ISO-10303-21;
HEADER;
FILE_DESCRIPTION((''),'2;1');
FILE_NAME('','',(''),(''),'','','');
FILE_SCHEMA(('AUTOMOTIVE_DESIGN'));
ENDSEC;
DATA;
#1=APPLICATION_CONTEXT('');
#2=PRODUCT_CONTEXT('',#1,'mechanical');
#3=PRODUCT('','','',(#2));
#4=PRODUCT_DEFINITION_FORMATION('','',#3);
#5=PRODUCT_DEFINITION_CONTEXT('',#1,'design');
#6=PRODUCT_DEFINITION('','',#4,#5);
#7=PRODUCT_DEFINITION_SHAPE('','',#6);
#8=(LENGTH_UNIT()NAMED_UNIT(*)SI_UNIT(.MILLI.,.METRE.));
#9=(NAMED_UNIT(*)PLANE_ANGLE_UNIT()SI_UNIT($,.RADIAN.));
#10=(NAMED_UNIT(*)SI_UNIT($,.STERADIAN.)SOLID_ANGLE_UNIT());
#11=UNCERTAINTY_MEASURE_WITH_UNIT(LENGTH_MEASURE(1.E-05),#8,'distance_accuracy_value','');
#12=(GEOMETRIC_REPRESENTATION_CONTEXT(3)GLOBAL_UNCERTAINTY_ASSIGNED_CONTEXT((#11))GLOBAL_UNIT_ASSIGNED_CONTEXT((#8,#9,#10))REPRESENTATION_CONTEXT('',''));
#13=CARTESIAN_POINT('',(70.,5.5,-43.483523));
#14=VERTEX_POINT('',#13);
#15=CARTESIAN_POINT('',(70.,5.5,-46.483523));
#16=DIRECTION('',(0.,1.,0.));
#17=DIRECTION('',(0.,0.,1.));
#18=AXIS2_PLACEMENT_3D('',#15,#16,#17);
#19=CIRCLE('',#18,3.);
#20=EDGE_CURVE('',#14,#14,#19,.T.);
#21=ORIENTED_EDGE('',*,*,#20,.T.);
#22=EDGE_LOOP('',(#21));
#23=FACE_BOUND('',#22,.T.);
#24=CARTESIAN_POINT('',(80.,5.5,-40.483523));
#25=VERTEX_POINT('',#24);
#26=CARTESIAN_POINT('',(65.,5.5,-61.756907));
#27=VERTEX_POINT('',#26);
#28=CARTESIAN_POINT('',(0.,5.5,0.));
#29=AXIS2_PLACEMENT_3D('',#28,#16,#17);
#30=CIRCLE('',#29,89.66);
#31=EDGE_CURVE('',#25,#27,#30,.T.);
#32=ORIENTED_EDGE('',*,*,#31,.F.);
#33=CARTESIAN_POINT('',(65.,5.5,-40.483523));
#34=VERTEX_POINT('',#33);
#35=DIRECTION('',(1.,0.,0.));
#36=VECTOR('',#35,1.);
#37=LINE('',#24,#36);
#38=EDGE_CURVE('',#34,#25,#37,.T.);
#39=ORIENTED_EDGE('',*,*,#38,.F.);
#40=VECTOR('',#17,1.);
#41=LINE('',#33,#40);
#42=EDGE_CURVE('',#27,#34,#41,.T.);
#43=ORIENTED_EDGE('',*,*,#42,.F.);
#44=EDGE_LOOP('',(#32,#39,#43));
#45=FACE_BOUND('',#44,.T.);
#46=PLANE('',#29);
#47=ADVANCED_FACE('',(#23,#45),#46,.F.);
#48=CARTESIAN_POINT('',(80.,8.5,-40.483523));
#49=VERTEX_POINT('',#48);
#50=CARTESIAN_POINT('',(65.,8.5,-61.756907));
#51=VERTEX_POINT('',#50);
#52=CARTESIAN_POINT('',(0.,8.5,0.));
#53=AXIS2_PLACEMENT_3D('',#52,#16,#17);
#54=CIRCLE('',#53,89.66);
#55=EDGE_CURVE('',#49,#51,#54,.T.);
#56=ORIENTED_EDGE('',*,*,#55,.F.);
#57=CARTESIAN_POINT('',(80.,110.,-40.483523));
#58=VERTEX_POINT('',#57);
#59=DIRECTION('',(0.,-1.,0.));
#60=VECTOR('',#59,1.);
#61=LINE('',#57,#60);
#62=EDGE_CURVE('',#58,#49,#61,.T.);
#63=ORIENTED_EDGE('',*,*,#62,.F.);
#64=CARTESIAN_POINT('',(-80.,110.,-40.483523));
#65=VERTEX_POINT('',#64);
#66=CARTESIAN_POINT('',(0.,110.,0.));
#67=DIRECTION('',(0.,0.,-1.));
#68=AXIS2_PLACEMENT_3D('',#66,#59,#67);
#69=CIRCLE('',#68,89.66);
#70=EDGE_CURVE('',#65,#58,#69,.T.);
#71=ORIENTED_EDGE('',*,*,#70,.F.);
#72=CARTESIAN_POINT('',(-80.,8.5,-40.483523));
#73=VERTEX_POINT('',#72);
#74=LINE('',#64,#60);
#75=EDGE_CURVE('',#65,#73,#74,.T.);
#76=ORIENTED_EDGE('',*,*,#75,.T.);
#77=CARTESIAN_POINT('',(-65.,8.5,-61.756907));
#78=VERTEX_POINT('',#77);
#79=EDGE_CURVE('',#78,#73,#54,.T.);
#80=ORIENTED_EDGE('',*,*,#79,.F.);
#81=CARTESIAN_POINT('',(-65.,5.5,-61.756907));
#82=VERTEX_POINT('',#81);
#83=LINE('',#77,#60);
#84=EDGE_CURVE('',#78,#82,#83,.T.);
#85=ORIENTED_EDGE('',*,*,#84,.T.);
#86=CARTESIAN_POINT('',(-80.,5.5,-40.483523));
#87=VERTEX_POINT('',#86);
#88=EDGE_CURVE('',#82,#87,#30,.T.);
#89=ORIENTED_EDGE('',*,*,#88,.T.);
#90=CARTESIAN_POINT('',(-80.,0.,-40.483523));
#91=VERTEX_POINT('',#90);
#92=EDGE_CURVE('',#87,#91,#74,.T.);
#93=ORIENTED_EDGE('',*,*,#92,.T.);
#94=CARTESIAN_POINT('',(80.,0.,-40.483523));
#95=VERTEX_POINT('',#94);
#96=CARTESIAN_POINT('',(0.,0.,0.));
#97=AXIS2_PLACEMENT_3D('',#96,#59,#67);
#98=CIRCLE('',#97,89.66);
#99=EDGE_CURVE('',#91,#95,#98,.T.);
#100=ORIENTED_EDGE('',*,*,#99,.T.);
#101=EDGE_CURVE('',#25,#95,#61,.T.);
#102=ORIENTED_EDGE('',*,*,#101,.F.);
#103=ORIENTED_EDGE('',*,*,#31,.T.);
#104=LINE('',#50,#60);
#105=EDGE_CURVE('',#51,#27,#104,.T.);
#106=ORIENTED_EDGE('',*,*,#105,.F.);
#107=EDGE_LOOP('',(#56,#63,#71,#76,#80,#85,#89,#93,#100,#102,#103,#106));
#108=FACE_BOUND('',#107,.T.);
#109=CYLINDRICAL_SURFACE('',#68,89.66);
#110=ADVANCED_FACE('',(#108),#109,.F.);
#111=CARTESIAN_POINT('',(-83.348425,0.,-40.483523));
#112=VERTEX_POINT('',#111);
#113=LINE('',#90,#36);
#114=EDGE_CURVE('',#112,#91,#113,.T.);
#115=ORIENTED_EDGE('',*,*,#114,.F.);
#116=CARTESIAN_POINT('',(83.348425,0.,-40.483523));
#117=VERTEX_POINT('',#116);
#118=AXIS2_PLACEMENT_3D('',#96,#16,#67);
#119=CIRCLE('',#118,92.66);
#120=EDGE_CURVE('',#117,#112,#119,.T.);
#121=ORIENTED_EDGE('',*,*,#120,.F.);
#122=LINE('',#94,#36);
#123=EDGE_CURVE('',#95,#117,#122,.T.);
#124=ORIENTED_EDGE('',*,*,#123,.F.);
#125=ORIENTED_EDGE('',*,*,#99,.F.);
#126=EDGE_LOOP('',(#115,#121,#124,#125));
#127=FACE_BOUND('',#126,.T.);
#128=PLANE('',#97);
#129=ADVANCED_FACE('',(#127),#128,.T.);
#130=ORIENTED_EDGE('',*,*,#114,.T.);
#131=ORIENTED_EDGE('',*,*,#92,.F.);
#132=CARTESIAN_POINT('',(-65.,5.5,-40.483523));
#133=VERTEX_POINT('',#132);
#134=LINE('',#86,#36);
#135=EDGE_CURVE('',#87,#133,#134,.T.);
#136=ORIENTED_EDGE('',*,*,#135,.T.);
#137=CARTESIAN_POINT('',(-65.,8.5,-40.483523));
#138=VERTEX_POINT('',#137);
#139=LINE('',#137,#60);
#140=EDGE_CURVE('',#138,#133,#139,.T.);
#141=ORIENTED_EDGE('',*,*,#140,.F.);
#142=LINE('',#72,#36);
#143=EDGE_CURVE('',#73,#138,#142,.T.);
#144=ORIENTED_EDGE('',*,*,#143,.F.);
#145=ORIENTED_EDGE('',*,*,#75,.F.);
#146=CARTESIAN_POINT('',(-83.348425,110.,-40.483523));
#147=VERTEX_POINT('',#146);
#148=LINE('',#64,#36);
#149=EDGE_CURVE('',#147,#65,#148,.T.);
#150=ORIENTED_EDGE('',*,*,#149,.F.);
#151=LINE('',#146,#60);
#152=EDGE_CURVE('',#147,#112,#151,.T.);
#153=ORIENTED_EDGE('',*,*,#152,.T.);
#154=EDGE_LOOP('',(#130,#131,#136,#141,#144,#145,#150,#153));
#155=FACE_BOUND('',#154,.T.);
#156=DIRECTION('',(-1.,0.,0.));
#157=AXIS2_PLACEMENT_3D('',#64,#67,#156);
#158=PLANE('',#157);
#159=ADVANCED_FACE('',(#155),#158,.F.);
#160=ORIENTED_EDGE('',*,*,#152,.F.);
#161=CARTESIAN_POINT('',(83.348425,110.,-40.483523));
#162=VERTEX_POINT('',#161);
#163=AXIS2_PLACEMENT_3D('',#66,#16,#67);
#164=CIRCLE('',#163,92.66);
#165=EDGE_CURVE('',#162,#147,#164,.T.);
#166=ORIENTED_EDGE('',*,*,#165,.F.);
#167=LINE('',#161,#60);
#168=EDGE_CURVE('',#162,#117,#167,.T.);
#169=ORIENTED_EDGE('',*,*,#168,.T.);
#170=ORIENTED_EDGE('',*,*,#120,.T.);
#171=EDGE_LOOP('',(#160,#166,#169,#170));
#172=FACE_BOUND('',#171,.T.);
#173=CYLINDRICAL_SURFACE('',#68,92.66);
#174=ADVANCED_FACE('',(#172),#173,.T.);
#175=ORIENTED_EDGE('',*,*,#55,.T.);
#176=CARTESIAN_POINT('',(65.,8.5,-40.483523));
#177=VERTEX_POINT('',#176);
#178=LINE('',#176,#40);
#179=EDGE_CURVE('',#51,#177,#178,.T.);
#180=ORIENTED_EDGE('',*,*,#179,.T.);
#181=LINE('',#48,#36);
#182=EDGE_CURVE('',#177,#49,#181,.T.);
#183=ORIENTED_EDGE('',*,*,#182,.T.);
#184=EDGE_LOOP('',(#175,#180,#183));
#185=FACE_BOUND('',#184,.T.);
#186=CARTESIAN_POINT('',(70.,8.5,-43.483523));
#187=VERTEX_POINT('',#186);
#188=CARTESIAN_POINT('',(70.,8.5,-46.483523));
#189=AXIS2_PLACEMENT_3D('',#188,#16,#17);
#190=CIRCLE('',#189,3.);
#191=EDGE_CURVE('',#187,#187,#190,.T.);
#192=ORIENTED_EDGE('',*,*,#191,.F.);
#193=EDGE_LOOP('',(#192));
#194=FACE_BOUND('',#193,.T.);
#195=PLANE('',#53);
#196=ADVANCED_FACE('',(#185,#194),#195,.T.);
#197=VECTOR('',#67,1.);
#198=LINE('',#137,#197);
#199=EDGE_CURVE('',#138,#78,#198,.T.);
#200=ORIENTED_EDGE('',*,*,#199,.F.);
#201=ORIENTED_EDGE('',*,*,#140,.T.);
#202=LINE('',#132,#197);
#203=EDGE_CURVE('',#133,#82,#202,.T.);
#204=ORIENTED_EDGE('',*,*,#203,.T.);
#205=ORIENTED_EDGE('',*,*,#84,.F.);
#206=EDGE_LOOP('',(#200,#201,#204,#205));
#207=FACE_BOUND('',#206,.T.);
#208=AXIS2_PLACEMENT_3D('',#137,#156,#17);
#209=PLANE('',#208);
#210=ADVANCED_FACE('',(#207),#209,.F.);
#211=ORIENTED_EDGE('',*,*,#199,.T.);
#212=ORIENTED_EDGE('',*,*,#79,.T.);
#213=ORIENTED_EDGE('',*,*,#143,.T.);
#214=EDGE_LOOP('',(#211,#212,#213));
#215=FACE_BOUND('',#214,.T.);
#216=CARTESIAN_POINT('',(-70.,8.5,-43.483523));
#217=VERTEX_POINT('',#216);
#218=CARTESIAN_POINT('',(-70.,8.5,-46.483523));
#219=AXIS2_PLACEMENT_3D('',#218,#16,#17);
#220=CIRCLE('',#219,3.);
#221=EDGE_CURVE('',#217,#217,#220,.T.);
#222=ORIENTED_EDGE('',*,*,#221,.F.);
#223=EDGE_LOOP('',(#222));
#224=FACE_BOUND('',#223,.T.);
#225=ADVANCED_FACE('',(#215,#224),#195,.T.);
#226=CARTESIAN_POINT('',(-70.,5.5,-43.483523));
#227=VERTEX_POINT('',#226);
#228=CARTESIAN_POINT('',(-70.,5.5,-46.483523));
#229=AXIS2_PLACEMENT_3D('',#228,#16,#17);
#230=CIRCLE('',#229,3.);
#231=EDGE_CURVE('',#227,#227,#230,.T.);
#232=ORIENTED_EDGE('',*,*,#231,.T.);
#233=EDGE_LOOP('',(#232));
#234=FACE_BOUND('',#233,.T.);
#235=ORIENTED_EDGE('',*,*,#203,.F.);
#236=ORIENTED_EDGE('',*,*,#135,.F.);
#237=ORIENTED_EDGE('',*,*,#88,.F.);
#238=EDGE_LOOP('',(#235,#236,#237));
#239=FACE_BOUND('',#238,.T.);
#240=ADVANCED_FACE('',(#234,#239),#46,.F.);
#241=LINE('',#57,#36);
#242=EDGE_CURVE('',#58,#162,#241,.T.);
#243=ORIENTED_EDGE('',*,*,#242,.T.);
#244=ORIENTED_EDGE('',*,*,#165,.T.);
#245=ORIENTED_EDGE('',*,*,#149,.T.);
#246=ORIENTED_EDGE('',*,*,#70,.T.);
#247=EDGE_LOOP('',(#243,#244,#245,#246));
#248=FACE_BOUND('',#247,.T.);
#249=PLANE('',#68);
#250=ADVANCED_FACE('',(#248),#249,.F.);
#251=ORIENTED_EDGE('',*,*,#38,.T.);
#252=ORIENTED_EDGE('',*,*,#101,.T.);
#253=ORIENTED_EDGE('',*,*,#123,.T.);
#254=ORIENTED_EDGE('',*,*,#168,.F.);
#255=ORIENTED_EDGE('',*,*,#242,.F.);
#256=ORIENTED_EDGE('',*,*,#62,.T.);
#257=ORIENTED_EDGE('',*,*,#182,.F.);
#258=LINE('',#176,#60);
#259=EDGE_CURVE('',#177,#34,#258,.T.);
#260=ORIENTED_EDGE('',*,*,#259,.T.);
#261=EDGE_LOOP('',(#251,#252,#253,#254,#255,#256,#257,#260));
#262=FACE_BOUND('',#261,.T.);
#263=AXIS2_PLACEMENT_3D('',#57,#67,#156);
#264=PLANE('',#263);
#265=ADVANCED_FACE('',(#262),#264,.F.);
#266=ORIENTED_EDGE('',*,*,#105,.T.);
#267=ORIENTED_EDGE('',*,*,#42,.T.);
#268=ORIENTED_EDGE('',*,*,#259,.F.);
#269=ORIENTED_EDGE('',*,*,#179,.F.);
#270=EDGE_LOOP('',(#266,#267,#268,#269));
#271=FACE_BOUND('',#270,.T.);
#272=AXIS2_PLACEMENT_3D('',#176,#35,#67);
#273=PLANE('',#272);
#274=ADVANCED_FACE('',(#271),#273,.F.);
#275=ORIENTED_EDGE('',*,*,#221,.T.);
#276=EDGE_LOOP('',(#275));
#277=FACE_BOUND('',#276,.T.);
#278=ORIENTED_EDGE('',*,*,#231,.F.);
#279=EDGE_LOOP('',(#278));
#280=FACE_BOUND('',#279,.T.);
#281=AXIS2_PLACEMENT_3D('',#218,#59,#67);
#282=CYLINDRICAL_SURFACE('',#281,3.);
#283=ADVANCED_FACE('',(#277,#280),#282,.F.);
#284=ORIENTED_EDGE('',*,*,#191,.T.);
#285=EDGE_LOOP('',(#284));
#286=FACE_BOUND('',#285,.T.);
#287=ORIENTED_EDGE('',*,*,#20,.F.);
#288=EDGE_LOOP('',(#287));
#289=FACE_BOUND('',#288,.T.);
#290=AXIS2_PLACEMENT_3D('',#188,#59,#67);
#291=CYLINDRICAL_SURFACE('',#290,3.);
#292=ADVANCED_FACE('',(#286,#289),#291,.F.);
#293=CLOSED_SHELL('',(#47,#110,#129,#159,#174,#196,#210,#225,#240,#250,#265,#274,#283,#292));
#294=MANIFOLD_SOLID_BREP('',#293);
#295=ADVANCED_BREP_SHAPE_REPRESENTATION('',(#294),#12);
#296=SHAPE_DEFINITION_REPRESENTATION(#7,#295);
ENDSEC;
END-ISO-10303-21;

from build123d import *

# Parameters (mm, degrees)
BOSS_EXTRUDE1_DEPTH = 110
BOSS_EXTRUDE2_START = 5.5
SKETCH2_R           = 3
BOSS_EXTRUDE2_DEPTH = 3


with BuildPart() as part:
    # Sketch1 → Boss-Extrude1 (new body)
    with BuildSketch(Plane(origin=(0, 0, 0), x_dir=(1, 0, 0), z_dir=(0, 1, 0))):
        with BuildLine():
            Line((-80, 40.483522574), (-83.3484253, 40.483522574))
            ThreePointArc((-83.3484253, 40.483522574), (0, 92.66), (83.3484253, 40.483522574))
            Line((83.3484253, 40.483522574), (80, 40.483522574))
            ThreePointArc((80, 40.483522574), (0, 89.66), (-80, 40.483522574))
        make_face()
    extrude(amount=BOSS_EXTRUDE1_DEPTH)

    # Sketch2 → Boss-Extrude2 (add)
    # profile 1 of 2: a face of its own
    with BuildSketch(Plane(origin=(0, 0, 0), x_dir=(1, 0, 0), z_dir=(0, 1, 0)).offset(BOSS_EXTRUDE2_START)):
        with BuildLine():
            Line((-80, 40.483522574), (-65, 40.483522574))
            Line((-65, 40.483522574), (-65, 61.756907306))
            ThreePointArc((-65, 61.756907306), (-73.276116331, 51.667459542), (-80, 40.483522574))
        make_face()
        with Locations(Location((-70, 46.483522574, 0), (0, 0, 270))):
            Circle(SKETCH2_R, mode=Mode.SUBTRACT)
    # profile 2 of 2: a face of its own
    with BuildSketch(Plane(origin=(0, 0, 0), x_dir=(1, 0, 0), z_dir=(0, 1, 0)).offset(BOSS_EXTRUDE2_START)):
        with BuildLine():
            Line((80, 40.483522574), (65, 40.483522574))
            Line((65, 40.483522574), (65, 61.756907306))
            ThreePointArc((65, 61.756907306), (73.276116331, 51.667459542), (80, 40.483522574))
        make_face()
        with Locations(Location((70, 46.483522574, 0), (0, 0, 270))):
            Circle(SKETCH2_R, mode=Mode.SUBTRACT)
    extrude(amount=BOSS_EXTRUDE2_DEPTH)


solid = part.part
